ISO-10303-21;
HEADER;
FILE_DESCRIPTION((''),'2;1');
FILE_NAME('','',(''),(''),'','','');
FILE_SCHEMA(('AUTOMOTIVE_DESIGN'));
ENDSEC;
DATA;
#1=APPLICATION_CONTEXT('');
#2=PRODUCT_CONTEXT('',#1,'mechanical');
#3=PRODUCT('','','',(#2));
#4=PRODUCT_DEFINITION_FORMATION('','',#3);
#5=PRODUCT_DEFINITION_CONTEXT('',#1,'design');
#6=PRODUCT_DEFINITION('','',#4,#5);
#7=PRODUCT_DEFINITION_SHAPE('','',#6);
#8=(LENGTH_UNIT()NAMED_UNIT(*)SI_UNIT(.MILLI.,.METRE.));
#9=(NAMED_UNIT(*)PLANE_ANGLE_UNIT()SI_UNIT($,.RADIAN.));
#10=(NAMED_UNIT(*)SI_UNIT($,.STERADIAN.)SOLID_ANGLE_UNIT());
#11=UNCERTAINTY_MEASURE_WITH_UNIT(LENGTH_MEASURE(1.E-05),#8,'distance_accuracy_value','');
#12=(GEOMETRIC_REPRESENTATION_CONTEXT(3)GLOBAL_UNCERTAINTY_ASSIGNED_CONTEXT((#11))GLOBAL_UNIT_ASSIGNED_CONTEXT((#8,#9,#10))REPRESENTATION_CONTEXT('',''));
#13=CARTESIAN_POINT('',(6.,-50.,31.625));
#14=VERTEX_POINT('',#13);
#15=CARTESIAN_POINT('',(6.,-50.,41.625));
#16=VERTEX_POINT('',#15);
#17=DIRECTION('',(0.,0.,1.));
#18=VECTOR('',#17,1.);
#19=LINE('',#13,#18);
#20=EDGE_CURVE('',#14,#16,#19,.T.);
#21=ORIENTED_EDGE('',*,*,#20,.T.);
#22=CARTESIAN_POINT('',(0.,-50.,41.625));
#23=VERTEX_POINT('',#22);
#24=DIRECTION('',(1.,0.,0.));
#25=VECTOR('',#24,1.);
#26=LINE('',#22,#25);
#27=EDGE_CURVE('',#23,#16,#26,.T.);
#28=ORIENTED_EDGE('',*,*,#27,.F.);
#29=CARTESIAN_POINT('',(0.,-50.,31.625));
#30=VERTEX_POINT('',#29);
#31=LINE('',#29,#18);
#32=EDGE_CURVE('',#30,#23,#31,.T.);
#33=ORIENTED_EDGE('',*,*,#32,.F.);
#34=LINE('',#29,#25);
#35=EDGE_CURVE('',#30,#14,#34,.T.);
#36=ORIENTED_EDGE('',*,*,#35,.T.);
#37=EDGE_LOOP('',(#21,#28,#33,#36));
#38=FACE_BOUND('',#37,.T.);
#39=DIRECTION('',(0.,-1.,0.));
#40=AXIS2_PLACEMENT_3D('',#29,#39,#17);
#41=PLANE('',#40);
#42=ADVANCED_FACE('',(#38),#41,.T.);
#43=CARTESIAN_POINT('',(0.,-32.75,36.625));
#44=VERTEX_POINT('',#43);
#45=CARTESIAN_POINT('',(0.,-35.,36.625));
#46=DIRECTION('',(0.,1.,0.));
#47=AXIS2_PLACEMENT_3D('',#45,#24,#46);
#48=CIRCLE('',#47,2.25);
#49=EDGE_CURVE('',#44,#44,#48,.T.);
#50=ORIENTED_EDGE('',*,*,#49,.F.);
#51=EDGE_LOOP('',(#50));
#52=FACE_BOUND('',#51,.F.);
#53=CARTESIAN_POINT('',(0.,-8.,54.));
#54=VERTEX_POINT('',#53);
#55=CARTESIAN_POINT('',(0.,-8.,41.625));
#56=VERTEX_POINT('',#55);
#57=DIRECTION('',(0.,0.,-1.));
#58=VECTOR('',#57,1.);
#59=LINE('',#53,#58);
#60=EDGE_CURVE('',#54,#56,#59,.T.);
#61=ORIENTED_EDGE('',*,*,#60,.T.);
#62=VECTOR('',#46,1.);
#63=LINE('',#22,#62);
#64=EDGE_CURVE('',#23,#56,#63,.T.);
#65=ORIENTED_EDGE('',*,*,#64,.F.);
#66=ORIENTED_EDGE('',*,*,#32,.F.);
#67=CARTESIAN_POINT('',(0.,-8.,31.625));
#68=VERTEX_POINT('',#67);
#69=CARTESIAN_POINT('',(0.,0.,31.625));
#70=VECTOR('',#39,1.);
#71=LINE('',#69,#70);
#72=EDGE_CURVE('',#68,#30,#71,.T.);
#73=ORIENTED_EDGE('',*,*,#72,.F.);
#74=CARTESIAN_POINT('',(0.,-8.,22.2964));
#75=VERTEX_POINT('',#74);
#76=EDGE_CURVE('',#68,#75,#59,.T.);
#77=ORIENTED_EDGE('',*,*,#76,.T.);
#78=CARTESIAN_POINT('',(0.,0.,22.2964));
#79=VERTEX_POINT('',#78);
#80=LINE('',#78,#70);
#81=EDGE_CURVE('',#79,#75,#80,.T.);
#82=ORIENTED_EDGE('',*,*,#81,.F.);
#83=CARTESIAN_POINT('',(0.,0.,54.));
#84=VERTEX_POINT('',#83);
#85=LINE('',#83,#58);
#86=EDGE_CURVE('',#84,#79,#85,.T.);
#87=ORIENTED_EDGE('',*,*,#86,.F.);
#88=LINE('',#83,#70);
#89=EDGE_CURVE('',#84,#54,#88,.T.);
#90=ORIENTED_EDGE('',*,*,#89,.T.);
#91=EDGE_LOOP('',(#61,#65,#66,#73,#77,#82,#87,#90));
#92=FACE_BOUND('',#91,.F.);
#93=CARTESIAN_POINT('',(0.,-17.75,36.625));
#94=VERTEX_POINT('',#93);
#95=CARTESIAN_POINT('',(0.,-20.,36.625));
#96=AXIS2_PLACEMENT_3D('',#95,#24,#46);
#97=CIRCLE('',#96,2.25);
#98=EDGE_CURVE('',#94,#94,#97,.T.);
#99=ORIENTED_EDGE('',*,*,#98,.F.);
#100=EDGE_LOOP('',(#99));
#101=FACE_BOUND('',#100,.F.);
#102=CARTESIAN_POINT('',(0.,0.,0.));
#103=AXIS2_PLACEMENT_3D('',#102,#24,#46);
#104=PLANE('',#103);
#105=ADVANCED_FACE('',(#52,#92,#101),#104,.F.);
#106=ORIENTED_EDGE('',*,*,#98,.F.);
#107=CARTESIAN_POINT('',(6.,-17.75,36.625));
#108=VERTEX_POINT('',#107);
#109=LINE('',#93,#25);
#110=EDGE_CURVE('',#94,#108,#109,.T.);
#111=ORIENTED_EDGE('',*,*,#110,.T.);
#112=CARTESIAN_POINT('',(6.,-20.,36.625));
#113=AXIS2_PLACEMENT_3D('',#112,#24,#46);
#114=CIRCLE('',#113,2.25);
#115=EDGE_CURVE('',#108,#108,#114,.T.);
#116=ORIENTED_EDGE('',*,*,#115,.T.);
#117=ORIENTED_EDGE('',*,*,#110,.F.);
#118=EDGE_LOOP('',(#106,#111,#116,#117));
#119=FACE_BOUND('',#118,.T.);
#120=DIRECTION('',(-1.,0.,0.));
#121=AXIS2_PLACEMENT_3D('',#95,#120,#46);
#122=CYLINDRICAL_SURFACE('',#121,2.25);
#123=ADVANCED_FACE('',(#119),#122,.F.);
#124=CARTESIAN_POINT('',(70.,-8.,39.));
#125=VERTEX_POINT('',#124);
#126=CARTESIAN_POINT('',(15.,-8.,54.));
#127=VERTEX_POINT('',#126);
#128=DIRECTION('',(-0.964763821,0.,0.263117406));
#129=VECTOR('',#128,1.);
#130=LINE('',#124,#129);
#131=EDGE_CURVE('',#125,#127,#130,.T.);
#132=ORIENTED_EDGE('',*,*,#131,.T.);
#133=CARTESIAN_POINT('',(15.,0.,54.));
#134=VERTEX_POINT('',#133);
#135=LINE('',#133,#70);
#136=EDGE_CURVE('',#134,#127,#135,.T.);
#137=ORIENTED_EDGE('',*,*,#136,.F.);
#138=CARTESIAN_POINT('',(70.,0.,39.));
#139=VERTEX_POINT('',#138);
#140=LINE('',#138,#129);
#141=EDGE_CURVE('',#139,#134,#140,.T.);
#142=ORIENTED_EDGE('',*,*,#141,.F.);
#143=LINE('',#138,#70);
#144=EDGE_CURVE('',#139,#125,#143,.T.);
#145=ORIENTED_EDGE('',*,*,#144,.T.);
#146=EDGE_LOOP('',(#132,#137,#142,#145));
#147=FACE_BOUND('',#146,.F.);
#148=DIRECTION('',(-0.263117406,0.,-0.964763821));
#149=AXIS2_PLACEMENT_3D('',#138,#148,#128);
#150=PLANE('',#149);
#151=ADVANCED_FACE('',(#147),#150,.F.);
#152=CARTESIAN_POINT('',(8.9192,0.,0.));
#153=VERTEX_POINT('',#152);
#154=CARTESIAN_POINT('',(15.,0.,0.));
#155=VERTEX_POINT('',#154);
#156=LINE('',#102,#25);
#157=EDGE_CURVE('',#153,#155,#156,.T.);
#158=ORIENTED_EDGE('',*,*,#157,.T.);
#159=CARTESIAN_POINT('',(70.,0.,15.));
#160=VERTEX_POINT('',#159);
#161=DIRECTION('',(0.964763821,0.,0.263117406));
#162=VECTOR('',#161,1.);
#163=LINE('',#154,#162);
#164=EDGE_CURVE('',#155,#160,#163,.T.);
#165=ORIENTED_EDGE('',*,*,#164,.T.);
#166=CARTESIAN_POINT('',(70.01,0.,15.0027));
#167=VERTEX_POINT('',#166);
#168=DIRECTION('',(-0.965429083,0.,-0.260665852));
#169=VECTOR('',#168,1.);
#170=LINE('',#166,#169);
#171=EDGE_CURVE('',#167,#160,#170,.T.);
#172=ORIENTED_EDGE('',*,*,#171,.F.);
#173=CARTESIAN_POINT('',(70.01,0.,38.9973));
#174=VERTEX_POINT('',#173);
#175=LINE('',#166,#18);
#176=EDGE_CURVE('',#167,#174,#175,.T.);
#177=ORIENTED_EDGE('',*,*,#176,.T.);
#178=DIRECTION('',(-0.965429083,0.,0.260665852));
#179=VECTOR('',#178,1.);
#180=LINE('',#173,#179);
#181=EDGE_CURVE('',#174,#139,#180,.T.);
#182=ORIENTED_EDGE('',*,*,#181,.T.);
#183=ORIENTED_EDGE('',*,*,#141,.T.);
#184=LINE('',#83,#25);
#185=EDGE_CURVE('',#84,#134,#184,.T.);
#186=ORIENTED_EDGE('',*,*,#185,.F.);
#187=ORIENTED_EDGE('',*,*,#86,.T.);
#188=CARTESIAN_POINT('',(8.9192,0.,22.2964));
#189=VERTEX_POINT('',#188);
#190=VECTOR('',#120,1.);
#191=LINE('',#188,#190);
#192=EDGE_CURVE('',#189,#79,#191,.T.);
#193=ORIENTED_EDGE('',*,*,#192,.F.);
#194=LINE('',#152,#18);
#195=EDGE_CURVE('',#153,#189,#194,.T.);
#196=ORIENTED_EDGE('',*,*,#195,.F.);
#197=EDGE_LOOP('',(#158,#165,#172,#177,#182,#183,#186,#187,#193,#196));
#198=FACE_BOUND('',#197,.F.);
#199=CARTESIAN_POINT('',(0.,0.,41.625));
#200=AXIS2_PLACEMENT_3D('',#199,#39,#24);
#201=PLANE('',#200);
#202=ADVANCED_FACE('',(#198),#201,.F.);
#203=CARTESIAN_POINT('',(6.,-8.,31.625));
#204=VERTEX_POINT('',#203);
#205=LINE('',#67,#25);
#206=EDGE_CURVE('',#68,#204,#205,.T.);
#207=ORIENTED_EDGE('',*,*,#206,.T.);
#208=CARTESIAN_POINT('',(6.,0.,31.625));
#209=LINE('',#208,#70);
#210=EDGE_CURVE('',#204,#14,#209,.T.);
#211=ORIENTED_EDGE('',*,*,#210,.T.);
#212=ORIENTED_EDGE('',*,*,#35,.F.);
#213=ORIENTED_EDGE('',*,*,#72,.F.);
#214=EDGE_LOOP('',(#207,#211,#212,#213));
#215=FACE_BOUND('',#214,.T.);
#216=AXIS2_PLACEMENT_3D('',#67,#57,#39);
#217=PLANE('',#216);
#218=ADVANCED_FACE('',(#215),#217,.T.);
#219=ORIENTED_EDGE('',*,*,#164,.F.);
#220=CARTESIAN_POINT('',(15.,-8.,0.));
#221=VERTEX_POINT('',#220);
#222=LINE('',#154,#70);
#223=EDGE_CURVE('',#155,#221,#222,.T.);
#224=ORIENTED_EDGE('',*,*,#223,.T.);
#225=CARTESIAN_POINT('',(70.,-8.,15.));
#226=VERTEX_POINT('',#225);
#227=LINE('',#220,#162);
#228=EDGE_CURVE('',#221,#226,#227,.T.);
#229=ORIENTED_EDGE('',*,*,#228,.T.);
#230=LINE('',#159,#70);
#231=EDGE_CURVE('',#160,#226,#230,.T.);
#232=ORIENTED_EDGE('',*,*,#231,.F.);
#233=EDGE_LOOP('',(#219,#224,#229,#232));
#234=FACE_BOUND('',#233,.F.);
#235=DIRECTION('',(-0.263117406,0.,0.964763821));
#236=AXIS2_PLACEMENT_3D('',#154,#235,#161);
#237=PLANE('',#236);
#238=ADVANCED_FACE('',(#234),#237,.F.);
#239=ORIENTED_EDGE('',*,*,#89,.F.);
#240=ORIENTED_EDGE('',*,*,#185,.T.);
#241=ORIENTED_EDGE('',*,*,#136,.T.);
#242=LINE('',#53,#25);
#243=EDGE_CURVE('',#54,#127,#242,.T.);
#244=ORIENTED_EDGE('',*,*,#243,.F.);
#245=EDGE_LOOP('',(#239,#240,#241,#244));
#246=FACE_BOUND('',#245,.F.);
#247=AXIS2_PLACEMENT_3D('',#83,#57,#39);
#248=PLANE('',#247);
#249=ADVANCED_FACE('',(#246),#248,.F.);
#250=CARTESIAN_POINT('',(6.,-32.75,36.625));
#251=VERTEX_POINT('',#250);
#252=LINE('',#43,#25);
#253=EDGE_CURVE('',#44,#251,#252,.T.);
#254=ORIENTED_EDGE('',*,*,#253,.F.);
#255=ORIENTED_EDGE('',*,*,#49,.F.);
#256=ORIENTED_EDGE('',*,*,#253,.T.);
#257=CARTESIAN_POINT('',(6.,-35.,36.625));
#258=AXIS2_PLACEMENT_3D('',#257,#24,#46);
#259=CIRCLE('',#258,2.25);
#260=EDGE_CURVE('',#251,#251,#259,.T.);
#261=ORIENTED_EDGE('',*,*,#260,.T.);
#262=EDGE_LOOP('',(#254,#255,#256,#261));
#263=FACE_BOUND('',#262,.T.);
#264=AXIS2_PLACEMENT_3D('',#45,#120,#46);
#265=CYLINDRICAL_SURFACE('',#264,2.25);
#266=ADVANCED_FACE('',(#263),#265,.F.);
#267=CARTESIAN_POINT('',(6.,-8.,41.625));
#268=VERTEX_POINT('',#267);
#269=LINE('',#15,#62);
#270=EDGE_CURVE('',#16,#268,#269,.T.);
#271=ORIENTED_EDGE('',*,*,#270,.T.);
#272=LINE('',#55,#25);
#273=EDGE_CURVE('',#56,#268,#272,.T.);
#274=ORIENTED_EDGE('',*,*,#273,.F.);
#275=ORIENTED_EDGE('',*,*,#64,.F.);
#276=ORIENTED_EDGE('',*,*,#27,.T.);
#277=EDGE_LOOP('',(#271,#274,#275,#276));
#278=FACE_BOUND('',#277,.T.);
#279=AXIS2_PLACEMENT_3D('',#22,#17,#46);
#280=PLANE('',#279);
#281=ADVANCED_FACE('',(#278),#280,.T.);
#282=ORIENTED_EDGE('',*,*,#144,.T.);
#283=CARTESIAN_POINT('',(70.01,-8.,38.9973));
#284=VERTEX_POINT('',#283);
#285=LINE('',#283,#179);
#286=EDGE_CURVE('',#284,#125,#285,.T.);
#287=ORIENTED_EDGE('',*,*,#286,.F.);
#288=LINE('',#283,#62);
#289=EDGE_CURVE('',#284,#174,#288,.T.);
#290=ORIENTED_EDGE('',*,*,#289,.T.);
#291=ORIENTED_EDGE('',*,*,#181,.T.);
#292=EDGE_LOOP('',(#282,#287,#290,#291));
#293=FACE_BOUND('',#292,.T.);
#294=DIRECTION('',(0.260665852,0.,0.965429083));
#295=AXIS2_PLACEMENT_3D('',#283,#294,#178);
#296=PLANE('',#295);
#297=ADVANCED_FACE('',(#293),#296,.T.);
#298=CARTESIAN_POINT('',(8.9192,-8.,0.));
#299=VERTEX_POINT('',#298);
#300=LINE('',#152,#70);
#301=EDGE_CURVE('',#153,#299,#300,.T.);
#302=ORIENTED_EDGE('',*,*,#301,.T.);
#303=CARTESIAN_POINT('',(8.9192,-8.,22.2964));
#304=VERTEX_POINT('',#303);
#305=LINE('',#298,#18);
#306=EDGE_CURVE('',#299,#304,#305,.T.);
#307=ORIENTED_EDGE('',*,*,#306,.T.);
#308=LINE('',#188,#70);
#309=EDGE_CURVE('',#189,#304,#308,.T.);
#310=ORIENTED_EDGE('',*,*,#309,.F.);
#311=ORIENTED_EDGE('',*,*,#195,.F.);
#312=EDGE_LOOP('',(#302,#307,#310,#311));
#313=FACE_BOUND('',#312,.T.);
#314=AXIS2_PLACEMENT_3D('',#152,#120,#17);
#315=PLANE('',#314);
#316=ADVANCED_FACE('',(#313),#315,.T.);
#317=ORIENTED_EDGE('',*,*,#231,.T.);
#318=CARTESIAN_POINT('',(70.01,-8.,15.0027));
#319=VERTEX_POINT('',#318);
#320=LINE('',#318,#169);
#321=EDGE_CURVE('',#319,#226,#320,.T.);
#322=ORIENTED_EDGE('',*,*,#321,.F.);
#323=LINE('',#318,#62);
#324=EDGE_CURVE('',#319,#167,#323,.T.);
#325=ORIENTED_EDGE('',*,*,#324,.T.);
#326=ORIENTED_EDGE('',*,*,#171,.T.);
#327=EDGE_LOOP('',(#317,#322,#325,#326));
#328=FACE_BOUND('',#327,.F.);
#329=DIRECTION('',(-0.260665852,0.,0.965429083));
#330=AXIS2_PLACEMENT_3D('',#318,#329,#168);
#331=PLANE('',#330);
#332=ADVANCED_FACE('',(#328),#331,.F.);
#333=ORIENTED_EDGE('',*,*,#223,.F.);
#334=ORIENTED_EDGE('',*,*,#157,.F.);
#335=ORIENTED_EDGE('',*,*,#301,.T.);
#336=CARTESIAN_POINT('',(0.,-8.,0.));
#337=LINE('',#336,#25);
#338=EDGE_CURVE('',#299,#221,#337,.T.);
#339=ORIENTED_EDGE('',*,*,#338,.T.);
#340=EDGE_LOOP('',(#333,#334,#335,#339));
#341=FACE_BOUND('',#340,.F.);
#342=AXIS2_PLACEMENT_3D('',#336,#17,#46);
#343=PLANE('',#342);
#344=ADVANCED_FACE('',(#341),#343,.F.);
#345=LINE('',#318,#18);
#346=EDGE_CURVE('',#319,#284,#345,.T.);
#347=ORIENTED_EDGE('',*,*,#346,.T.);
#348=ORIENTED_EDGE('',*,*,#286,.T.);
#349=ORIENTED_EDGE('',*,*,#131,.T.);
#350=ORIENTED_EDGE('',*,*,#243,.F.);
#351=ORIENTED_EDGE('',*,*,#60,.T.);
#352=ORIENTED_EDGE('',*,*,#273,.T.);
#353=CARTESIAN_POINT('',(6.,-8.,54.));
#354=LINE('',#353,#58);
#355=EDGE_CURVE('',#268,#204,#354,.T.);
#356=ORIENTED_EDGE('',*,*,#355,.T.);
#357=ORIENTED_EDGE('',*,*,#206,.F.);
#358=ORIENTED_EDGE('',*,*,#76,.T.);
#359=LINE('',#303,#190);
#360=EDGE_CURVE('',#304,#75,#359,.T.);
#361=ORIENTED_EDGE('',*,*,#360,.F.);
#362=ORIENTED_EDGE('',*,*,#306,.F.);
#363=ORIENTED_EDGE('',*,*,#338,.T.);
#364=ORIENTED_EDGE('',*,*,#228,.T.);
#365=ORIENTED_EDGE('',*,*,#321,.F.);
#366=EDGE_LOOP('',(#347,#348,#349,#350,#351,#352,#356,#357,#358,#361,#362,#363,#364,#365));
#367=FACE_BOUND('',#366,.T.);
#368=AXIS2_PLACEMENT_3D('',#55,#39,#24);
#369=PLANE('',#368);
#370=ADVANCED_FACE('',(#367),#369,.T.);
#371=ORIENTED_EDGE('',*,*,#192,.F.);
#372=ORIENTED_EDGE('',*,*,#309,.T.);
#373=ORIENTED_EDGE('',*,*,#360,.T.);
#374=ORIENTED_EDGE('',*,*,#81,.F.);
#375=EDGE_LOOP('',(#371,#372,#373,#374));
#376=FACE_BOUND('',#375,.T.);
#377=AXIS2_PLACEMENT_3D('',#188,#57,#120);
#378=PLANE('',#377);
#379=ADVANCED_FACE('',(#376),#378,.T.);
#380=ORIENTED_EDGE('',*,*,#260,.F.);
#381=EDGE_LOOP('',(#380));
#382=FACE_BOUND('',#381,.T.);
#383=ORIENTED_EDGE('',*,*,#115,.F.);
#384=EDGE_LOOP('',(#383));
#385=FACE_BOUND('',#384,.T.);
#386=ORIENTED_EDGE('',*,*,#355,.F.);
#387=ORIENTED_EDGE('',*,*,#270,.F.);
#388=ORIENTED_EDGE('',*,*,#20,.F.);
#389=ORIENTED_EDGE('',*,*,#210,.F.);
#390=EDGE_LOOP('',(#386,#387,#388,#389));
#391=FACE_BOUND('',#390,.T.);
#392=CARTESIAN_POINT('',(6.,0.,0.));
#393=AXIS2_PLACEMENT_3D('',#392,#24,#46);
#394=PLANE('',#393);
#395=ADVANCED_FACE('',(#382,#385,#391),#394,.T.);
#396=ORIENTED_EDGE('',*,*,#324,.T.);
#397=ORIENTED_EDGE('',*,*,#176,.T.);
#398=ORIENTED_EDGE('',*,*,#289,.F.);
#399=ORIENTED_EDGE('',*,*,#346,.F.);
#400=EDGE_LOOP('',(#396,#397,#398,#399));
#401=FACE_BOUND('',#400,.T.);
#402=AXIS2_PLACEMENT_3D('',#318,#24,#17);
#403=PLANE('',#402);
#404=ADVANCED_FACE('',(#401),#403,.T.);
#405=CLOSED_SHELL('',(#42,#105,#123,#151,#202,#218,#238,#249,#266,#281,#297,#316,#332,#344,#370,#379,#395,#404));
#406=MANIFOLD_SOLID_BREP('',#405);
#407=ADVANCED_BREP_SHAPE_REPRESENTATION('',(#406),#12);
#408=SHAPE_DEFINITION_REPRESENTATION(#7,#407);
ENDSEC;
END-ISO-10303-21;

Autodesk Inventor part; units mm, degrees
ref_plane "YZ Plane" through (0, 0, 0) normal (1, 0, 0) x (0, 1, 0)
ref_plane "XZ Plane" through (0, 0, 0) normal (0, 1, 0) x (-1, 0, 0)
ref_plane "XY Plane" through (0, 0, 0) normal (0, 0, 1) x (1, 0, 0)
sketch "スケッチ2" plane through (0, 0, 0) normal (1, 0, 0) x (0, 1, 0)
  line L0 (-50, 41.625) -> (0, 41.625)
  line L1 (0, 41.625) -> (0, 31.625)
  line L2 (0, 31.625) -> (-50, 31.625)
  line L3 (-50, 31.625) -> (-50, 41.625)
  line L4 (0, 31.625) -> (-8, 31.625)
  line L5 (-8, 31.625) -> (-8, 0)
  line L6 (-8, 0) -> (0, 0)
  line L7 (0, 0) -> (0, 31.625)
  circle A0 centre (-20, 36.625) radius 2.25
  circle A1 centre (-35, 36.625) radius 2.25
  line L8 (-8, 31.625) -> (0, 31.625)
  line L9 (0, 31.625) -> (0, 54)
  line L10 (0, 54) -> (-8, 54)
  line L11 (-8, 54) -> (-8, 31.625)
  point P0 (-8, 31.625)
  point P1 (-8, 41.625)
  point P2 (0, 41.625)
  dimension "d7" = 50
  dimension "d8" = 10
  dimension "d10" = 8
  dimension "d11" = 4.5
  dimension "d12" = 4.5
  dimension "d13" = 15
  dimension "d14" = 20
  dimension "d15" = 5
  dimension "d16" = 5
  dimension "d27" = 54
  dimension "d28" = 12.375
extrude "押し出し2" add sketch "スケッチ2" along normal blind 6 contours L0 L11 L2 L3
extrude "押し出し5" add sketch "スケッチ2" along normal blind 70 contours L11 L10 L9 L0 | L0 L1 L2 L11 | L2 L7 L6 L5
sketch "スケッチ4" plane through (0, 0, 54) normal (0, 1, 0) x (1, 0, 0)
  line L0 (70, 54) -> (70, 0) projected
  line L1 (70, 15) -> (15, 0)
  line L2 (15, 0) -> (15, 54)
  line L3 (15, 54) -> (70, 39)
  line L4 (0, 54) -> (70, 54) projected
  line L5 (0, 0) -> (70, 0) projected
  line L6 (0, 54) -> (0, 0) projected
  line L7 (0, 22.375) -> (0, 54) projected
  line L8 (0, 54) -> (8.9192, 54)
  line L9 (8.9192, 54) -> (8.9192, 31.7036)
  line L10 (8.9192, 31.7036) -> (0, 31.7036)
  line L11 (0, 31.7036) -> (0, 54)
  dimension "d31" = 15
  dimension "d32" = 15
  dimension "d33" = 15
extrude "押し出し6" cut sketch "スケッチ4" against normal blind 8 contours L0 L3 L4 | L0 L5 L1 | L9 L10 L6 L4
sketch "スケッチ5" plane through (0, -8, 41.625) normal (0, -1, 0) x (1, 0, 0)
  line L0 (70, -2.625) -> (70, -26.625) projected
  line L1 (15, -41.625) -> (70, -26.625) projected
  line L2 (70, -2.625) -> (15, 12.375) projected
  line L3 (70, -26.625) -> (15, -41.625) projected
  line L4 (70.01, -26.6223) -> (70.01, -2.6277)
  line L5 (70.01, -26.6223) -> (70, -26.625)
  line L6 (70.01, -2.6277) -> (70, -2.625)
  point P0 (0, -41.625)
  dimension "d36" = 0.01
extrude "押し出し7" add sketch "スケッチ5" against normal blind 8
equation "\"d32\" = d31"
equation "\"d33\" = d31"
properties part number "right-nail" material "ABS プラスチック"
